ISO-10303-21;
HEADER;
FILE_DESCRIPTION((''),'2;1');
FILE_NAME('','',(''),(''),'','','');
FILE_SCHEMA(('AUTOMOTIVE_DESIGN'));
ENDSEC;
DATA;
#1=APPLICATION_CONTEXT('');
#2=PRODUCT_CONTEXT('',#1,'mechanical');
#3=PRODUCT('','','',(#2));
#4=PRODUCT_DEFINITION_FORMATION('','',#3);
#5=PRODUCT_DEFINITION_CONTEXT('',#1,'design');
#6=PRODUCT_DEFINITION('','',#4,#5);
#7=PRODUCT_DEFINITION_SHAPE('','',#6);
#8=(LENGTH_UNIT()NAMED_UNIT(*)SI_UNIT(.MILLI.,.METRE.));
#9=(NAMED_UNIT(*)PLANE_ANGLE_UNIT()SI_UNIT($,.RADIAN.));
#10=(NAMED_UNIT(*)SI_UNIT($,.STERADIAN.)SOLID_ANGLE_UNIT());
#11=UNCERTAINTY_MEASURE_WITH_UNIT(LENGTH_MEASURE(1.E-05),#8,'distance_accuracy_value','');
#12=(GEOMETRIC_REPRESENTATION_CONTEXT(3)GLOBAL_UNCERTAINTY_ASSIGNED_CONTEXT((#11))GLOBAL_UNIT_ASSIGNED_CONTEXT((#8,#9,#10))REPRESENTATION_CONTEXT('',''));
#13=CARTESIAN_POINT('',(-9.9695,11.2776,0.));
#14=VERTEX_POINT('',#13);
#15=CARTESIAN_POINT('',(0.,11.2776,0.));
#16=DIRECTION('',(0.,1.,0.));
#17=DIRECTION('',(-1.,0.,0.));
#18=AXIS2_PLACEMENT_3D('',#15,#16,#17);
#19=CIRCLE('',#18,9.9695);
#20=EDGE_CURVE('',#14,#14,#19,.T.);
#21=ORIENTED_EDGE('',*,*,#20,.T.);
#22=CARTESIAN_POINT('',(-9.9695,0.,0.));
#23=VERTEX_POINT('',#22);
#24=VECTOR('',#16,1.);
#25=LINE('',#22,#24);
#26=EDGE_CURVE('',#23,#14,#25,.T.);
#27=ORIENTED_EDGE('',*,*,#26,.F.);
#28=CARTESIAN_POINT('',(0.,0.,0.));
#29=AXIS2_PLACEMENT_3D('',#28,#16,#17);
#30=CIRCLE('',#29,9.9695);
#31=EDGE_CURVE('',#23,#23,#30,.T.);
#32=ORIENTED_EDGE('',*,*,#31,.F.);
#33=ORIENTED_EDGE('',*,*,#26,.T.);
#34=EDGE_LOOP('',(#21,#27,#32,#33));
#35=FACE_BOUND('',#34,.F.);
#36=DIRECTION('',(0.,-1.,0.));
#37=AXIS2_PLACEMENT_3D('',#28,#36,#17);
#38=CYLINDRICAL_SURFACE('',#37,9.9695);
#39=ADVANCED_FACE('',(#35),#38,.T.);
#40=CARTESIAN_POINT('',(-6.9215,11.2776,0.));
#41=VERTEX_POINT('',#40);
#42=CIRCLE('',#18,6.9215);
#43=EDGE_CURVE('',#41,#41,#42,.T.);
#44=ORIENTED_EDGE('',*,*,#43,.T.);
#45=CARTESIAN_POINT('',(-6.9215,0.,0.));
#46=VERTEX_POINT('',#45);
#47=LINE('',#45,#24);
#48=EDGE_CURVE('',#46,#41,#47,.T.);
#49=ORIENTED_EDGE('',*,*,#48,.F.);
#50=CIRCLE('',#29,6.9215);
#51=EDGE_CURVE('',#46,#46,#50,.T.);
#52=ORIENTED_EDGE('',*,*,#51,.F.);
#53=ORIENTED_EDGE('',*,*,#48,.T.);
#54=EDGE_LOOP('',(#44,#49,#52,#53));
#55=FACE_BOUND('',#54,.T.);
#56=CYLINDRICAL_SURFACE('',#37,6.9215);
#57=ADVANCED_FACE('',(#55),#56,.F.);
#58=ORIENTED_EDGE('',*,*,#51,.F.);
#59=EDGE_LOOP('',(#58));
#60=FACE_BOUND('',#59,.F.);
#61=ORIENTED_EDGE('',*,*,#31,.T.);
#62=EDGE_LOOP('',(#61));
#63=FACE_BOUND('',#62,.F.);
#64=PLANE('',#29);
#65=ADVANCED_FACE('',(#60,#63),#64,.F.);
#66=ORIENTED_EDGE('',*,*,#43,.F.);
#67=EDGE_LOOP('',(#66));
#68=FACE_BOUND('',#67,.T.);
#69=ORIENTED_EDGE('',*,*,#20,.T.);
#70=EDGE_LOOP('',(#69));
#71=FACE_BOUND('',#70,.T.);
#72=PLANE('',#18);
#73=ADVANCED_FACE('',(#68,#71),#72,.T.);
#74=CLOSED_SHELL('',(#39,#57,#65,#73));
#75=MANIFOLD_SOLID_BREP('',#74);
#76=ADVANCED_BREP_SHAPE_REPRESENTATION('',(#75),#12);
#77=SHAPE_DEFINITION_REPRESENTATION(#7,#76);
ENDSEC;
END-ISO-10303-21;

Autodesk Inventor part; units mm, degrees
ref_plane "YZ Plane" through (0, 0, 0) normal (1, 0, 0) x (0, 1, 0)
ref_plane "XZ Plane" through (0, 0, 0) normal (0, 1, 0) x (-1, 0, 0)
ref_plane "XY Plane" through (0, 0, 0) normal (0, 0, 1) x (1, 0, 0)
sketch "Sketch1" plane through (0, 0, 0) normal (0, 1, 0) x (-1, 0, 0)
  circle A0 centre (0, 0) radius 9.9695
  circle A1 centre (0, 0) radius 6.9215
  dimension "d0" = 19.939
  dimension "d1" = 3.048
extrude "Extrusion1" add sketch "Sketch1" along normal blind 11.2776
properties part number "SP-001" material "Aluminum 6061"
